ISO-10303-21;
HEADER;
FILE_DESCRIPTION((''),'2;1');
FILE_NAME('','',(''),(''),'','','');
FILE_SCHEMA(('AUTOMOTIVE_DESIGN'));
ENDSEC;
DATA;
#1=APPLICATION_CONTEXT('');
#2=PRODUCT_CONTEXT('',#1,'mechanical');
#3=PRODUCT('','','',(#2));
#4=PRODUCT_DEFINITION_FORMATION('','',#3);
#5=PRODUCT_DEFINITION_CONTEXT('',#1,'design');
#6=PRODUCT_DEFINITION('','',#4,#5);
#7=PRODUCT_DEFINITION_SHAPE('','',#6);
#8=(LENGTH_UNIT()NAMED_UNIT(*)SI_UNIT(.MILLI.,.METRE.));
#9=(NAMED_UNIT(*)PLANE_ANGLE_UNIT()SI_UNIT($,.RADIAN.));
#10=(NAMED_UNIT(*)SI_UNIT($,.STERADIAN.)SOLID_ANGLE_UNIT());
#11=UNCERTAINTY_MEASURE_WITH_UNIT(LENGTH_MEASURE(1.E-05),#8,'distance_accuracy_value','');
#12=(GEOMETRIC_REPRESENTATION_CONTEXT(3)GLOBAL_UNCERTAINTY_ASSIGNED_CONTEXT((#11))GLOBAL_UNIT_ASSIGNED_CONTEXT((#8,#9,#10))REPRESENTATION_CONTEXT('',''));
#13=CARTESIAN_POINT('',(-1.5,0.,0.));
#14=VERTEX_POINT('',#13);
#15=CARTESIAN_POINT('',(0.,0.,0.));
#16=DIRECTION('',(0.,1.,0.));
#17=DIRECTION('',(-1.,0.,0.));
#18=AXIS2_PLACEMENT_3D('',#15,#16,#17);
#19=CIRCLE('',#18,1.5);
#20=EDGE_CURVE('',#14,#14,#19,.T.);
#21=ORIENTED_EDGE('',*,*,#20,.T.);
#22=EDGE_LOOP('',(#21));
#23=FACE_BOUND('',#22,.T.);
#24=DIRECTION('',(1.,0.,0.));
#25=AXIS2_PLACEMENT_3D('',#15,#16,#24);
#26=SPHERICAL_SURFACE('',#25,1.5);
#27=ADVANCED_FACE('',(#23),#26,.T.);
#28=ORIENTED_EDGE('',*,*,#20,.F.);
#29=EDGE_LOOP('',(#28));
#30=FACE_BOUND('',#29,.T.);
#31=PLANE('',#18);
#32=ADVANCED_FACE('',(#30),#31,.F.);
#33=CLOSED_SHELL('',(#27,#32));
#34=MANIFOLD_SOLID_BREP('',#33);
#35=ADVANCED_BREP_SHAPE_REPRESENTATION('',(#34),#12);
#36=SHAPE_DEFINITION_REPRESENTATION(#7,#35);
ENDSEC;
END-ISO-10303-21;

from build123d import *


with BuildPart() as part:
    # Sketch1 → Revolve1 (revolve)
    with BuildSketch(Plane.XY):
        with BuildLine():
            Line((0, 1.5), (0, 0))
            Line((0, 0), (1.5, 0))
            ThreePointArc((1.5, 0), (1.060660172, 1.060660172), (0, 1.5))
        make_face()
    revolve(axis=Axis((0, 1.5, 0), (0, -1, 0)))


solid = part.part
